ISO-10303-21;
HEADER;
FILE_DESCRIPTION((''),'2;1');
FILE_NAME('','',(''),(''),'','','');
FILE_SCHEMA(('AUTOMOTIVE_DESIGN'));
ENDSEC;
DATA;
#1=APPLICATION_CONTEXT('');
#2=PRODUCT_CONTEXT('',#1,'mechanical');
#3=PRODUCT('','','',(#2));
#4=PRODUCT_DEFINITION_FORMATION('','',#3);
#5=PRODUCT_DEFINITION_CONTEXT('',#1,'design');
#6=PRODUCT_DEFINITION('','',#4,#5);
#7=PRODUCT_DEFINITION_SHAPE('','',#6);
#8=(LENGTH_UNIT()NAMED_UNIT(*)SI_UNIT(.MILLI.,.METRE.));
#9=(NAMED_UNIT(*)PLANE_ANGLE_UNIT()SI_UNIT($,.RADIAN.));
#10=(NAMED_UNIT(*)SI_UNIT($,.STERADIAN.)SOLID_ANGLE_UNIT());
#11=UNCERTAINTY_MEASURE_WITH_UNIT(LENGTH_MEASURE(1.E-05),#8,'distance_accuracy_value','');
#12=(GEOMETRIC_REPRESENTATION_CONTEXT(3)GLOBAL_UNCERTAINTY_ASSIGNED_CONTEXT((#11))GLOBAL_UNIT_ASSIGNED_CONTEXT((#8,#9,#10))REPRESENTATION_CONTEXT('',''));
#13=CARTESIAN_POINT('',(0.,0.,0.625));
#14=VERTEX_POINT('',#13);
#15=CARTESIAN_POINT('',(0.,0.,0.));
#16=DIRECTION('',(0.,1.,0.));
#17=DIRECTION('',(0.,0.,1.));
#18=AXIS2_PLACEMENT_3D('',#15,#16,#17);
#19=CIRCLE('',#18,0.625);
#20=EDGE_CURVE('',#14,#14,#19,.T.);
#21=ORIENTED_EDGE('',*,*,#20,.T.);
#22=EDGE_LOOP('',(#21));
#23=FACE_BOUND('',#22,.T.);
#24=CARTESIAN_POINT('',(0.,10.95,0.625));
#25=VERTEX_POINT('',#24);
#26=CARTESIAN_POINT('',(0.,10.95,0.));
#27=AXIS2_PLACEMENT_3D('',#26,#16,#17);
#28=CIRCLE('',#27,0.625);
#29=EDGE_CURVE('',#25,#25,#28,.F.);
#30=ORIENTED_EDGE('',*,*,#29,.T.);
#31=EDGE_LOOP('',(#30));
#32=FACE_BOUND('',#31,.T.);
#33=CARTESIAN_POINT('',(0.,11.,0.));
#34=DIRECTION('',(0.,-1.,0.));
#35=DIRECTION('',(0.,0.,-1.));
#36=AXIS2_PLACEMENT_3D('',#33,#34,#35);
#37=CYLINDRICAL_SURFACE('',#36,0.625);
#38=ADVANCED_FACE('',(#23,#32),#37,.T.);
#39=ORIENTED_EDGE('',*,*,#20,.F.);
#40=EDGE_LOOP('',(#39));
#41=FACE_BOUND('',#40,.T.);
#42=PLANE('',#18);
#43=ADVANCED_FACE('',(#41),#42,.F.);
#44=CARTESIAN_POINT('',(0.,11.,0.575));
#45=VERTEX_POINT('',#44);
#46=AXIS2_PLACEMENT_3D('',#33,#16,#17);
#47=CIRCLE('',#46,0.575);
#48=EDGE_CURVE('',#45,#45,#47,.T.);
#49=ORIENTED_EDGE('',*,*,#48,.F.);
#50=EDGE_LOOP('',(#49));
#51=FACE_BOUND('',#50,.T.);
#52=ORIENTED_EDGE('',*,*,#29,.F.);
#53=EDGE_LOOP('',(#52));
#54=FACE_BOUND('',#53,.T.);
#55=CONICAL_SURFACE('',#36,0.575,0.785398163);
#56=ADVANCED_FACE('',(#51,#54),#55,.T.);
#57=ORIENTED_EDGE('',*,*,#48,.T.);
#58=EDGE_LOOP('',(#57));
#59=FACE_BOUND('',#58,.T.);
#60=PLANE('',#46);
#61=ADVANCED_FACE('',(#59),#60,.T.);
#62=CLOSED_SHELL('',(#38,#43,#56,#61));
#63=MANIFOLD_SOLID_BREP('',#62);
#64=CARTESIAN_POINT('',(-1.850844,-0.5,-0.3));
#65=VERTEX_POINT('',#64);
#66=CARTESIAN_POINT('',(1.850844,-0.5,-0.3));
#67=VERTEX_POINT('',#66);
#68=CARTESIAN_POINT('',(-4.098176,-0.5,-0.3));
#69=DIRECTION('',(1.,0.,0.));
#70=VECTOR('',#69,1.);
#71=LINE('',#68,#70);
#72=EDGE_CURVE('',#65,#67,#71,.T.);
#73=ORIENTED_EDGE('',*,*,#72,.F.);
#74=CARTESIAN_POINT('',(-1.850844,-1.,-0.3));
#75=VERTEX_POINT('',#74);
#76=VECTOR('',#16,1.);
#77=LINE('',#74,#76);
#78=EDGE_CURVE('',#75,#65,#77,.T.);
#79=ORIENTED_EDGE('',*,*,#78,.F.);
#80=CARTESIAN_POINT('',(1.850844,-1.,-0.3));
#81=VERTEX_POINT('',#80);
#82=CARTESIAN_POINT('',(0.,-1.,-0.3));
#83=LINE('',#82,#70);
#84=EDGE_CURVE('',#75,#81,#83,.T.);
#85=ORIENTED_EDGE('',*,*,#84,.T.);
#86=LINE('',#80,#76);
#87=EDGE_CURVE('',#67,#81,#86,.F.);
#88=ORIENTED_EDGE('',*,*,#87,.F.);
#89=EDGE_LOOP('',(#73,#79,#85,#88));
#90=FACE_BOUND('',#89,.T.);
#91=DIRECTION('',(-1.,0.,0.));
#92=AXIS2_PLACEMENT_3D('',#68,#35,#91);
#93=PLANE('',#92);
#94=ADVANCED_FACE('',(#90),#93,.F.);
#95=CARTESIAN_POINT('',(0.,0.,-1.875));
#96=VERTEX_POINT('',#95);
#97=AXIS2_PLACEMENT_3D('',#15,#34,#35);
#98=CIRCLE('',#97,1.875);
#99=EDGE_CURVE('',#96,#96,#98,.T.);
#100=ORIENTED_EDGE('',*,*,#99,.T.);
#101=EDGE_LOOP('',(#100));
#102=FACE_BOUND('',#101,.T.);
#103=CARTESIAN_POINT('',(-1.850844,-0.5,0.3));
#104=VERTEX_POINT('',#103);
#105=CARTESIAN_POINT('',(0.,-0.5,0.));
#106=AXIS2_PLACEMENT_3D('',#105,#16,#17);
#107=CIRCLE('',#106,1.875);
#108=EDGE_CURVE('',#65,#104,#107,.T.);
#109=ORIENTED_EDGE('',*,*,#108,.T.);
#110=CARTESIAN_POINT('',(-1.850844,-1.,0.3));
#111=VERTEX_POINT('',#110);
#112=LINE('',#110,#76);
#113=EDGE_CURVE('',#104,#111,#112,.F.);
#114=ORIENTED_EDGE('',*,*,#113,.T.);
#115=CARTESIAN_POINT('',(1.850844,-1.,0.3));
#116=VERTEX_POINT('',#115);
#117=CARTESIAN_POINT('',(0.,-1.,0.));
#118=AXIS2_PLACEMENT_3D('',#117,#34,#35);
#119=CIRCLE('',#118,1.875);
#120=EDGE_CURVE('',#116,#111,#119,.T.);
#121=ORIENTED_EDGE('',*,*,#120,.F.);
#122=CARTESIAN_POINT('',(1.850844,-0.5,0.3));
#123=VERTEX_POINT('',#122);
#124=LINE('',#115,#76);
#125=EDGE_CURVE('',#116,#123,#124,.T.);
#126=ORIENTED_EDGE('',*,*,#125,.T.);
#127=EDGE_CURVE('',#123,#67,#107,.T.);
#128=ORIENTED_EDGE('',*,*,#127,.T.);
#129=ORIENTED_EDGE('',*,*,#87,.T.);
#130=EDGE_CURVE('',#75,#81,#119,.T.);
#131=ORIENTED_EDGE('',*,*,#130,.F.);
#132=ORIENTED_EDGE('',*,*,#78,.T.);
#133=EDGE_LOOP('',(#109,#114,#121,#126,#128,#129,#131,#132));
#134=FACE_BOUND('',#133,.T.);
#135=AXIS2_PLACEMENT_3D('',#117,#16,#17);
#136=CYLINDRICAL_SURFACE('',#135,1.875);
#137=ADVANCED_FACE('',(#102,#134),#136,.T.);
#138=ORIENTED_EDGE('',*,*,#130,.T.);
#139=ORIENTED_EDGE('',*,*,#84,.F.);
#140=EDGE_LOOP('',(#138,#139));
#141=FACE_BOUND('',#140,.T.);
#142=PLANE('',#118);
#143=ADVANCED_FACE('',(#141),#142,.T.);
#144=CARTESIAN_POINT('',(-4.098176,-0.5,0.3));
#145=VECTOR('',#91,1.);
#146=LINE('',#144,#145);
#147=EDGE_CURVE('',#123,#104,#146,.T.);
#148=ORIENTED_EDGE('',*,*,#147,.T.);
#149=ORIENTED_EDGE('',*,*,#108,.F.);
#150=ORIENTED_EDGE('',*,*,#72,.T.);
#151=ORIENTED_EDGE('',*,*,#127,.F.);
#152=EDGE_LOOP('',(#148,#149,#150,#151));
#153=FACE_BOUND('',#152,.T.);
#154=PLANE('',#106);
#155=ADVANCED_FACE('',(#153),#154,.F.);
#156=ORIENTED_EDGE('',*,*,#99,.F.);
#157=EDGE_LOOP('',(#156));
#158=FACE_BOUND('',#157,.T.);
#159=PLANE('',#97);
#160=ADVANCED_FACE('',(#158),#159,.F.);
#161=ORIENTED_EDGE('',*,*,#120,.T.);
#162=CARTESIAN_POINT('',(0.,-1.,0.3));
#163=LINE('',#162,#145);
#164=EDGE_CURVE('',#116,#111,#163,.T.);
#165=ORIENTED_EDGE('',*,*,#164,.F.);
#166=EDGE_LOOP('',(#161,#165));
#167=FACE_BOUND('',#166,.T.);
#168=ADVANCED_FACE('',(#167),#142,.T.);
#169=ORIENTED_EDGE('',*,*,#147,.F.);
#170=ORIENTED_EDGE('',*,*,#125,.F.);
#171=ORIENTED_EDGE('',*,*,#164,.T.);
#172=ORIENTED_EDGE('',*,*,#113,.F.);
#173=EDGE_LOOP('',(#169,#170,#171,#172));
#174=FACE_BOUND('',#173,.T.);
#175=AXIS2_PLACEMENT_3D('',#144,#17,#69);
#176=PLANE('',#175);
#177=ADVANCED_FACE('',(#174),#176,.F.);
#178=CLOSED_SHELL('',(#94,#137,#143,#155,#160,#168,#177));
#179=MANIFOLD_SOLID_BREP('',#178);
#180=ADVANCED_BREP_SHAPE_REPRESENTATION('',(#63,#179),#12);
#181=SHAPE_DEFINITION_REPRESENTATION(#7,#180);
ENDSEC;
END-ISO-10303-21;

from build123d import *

# Parameters (mm, degrees)
SKETCH1_R           = 0.625
BOSS_EXTRUDE1_DEPTH = 11
SKETCH2_R           = 1.875
BOSS_EXTRUDE2_DEPTH = 1
SKETCH3_W           = 8.196351728
SKETCH3_H           = 0.6
CUT_EXTRUDE1_DEPTH  = 0.5
CHAMFER1_SIZE       = 0.05


with BuildPart() as part:
    # Sketch1 → Boss-Extrude1 (new body)
    with BuildSketch(Plane(origin=(0, 0, 0), x_dir=(1, 0, 0), z_dir=(0, 1, 0))):
        Circle(SKETCH1_R)
    extrude(amount=BOSS_EXTRUDE1_DEPTH)

    # Chamfer1
    chamfer1_edges = [part.edges().sort_by_distance(p)[0] for p in [
        (-0.625, 11, 0),
    ]]
    chamfer(chamfer1_edges, length=CHAMFER1_SIZE)


with BuildPart() as body_2:
    # Sketch2 → Boss-Extrude2 (new body)
    with BuildSketch(Plane.XZ):
        Circle(SKETCH2_R)
    extrude(amount=BOSS_EXTRUDE2_DEPTH)

    # Sketch3 → Cut-Extrude1 (cut)
    with BuildSketch(Plane.XZ.offset(1)):
        Rectangle(SKETCH3_W, SKETCH3_H)
    extrude(amount=-CUT_EXTRUDE1_DEPTH, mode=Mode.SUBTRACT)


solid = Compound([part.part, body_2.part])
